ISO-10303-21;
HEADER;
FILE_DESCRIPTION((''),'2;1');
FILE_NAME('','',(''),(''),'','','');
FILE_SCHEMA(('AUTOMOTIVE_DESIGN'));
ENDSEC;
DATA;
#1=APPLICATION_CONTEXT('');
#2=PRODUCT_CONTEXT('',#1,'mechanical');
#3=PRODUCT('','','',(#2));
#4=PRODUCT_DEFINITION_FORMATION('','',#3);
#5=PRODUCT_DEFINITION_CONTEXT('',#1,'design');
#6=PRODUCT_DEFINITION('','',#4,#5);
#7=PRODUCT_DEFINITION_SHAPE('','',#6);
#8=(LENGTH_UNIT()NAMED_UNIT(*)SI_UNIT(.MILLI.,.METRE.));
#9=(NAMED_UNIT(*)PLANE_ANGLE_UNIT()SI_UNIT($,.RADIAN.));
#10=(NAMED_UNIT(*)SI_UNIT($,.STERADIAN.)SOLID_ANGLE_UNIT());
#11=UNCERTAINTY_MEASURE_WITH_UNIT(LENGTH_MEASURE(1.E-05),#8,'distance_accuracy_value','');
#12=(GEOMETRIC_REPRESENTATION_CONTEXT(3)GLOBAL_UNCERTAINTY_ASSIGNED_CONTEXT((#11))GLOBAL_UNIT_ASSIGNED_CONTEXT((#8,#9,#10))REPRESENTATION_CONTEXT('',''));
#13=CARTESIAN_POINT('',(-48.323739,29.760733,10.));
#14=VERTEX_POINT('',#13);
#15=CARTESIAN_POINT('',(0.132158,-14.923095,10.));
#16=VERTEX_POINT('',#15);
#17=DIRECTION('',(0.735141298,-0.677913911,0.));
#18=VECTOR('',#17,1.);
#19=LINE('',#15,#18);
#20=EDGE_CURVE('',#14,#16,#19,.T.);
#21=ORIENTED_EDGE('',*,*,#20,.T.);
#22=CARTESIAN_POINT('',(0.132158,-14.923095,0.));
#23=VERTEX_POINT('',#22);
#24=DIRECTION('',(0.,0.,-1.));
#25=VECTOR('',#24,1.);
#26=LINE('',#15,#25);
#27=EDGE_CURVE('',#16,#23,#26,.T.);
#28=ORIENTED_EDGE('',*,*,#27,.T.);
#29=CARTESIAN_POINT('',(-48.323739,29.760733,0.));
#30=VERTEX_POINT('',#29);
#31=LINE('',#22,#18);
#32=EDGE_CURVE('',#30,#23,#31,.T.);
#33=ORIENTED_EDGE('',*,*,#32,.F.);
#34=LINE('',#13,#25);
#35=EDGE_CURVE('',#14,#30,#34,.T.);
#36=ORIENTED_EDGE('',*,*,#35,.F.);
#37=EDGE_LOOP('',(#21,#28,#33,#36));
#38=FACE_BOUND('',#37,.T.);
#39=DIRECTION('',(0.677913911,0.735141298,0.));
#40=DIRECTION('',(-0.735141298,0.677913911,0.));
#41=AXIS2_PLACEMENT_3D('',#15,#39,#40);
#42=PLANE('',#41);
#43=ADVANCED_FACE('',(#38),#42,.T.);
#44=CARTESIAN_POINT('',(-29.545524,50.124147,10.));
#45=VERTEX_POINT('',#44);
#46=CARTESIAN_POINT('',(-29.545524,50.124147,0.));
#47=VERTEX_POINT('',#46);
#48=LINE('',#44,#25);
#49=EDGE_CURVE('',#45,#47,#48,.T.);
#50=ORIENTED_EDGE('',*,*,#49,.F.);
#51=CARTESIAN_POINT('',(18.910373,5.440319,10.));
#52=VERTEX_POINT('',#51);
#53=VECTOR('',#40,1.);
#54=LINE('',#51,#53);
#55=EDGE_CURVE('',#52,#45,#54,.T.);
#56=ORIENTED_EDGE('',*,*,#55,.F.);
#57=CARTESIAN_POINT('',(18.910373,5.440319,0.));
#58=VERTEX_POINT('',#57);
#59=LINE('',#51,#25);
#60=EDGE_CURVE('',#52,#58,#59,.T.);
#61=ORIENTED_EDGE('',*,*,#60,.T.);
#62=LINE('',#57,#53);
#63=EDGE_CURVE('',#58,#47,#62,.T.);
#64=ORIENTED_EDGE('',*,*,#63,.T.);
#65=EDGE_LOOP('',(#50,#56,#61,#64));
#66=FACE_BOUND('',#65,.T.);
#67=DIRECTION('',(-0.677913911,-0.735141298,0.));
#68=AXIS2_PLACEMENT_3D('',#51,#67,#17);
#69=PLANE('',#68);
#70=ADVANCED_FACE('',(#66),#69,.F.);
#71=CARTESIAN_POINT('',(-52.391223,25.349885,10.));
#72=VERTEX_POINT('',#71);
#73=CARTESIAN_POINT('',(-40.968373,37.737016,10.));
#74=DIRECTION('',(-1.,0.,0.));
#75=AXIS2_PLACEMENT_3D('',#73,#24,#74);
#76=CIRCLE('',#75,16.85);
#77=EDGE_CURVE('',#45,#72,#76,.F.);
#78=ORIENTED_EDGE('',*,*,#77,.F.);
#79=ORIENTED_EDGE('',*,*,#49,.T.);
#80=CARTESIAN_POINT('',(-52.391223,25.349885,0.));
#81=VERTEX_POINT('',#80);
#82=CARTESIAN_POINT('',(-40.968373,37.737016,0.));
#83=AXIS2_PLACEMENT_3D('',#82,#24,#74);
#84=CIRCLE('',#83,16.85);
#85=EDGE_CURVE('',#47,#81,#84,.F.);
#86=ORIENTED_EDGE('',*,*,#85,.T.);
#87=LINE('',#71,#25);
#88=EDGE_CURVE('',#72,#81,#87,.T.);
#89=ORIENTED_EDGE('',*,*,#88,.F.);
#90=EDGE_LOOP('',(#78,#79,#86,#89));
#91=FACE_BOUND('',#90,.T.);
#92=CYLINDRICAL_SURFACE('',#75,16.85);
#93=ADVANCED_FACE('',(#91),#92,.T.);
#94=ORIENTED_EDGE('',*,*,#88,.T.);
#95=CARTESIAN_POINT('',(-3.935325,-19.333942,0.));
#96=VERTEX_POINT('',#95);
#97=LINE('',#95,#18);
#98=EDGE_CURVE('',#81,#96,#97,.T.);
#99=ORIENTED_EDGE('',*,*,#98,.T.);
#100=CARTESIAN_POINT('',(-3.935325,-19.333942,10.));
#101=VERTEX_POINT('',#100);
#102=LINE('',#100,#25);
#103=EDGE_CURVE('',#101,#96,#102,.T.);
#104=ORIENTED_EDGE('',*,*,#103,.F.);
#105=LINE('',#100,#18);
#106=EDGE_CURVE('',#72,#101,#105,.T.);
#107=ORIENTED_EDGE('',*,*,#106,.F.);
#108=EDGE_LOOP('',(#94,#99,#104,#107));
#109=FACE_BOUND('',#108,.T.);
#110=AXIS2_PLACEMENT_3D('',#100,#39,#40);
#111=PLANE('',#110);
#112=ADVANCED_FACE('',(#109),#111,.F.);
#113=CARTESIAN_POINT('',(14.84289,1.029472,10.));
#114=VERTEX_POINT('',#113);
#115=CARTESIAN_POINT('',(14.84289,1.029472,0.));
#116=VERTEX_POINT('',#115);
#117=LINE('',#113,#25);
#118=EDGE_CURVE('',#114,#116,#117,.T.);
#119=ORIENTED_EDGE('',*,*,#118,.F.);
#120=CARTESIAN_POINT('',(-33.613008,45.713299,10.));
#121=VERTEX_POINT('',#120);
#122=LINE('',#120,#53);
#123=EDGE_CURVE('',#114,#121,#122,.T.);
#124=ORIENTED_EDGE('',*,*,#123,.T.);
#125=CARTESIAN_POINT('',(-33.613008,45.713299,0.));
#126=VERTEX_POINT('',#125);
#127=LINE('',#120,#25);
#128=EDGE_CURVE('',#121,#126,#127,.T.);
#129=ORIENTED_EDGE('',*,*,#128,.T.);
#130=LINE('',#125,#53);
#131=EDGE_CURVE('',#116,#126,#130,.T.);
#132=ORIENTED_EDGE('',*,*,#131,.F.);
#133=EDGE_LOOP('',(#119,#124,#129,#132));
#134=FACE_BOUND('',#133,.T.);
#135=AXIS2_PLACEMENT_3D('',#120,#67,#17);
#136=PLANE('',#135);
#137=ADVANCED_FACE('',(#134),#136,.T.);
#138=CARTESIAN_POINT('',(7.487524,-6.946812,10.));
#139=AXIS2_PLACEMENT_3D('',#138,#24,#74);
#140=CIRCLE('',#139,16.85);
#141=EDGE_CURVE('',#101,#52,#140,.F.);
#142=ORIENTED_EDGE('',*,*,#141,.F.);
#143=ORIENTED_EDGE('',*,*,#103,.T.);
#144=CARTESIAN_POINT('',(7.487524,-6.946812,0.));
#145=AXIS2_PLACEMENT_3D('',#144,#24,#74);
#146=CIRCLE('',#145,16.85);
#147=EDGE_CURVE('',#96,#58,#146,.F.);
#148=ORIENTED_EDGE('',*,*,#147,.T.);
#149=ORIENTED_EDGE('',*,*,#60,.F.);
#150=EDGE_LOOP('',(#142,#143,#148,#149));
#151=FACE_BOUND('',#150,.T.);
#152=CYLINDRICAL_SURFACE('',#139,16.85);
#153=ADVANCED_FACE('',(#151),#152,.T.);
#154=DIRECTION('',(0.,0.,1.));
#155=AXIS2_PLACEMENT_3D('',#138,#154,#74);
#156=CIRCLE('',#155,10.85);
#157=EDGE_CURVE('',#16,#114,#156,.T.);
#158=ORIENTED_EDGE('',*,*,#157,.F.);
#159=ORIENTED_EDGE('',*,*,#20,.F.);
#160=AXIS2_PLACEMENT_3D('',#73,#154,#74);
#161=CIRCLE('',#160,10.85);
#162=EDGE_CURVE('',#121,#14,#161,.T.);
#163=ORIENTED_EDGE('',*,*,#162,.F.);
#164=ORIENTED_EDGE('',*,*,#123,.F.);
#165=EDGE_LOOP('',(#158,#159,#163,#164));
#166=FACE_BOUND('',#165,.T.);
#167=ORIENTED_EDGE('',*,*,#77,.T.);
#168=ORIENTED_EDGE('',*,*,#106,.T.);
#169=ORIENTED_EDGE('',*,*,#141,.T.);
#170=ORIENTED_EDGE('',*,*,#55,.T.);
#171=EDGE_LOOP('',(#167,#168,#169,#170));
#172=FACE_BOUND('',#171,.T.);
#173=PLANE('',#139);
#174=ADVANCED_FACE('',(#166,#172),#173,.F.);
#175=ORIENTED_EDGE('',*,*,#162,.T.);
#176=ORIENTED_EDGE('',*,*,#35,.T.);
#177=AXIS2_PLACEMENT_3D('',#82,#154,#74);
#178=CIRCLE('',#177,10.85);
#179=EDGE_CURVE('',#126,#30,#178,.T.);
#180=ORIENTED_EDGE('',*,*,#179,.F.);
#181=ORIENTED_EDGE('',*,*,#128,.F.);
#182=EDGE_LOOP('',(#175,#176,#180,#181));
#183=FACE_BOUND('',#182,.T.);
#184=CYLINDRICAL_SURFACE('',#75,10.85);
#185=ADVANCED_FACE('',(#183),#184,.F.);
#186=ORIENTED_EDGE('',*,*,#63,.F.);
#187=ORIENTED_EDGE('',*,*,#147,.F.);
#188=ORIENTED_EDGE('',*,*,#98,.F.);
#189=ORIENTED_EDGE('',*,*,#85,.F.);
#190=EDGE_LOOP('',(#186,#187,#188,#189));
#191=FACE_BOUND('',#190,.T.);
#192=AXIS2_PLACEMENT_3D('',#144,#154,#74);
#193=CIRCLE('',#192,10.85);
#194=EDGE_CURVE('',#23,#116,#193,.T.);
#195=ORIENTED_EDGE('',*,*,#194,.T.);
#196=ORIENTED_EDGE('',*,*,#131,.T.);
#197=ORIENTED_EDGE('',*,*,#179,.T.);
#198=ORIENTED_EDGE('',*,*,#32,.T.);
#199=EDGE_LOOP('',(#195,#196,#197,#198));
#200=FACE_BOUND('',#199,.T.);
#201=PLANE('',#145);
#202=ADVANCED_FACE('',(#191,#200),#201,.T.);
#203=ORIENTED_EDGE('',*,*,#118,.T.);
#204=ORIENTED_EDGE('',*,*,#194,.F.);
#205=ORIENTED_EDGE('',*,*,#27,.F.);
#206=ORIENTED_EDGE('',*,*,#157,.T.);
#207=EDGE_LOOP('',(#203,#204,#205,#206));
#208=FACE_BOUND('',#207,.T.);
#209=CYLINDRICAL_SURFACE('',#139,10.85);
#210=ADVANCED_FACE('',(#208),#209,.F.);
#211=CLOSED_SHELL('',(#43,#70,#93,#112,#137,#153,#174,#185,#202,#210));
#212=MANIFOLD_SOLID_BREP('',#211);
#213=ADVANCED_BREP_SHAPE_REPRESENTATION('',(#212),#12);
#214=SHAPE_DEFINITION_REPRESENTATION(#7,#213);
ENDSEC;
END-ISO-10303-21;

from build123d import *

# Parameters (mm, degrees)
EXTRUDE_THIN1_DEPTH = 10


with BuildPart() as part:
    # Sketch2 → Extrude-Thin1 (new body)
    with BuildSketch(Plane.XY):
        with BuildLine():
            Line((-29.545524043, 50.124146881), (18.910373448, 5.440319336))
            ThreePointArc((18.910373448, 5.440319336), (19.874654919, -18.369660951), (-3.935325368, -19.333942422))
            Line((-3.935325368, -19.333942422), (-52.391222859, 25.349885124))
            ThreePointArc((-52.391222859, 25.349885124), (-53.35550433, 49.15986541), (-29.545524043, 50.124146881))
        make_face()
        with BuildLine():
            Line((-33.613007512, 45.71329909), (14.842889979, 1.029471545))
            ThreePointArc((14.842889979, 1.029471545), (15.463807128, -14.302177482), (0.132158101, -14.923094631))
            Line((0.132158101, -14.923094631), (-48.32373939, 29.760732914))
            ThreePointArc((-48.32373939, 29.760732914), (-48.944656539, 45.092381941), (-33.613007512, 45.71329909))
        make_face(mode=Mode.SUBTRACT)
    extrude(amount=EXTRUDE_THIN1_DEPTH)


solid = part.part
